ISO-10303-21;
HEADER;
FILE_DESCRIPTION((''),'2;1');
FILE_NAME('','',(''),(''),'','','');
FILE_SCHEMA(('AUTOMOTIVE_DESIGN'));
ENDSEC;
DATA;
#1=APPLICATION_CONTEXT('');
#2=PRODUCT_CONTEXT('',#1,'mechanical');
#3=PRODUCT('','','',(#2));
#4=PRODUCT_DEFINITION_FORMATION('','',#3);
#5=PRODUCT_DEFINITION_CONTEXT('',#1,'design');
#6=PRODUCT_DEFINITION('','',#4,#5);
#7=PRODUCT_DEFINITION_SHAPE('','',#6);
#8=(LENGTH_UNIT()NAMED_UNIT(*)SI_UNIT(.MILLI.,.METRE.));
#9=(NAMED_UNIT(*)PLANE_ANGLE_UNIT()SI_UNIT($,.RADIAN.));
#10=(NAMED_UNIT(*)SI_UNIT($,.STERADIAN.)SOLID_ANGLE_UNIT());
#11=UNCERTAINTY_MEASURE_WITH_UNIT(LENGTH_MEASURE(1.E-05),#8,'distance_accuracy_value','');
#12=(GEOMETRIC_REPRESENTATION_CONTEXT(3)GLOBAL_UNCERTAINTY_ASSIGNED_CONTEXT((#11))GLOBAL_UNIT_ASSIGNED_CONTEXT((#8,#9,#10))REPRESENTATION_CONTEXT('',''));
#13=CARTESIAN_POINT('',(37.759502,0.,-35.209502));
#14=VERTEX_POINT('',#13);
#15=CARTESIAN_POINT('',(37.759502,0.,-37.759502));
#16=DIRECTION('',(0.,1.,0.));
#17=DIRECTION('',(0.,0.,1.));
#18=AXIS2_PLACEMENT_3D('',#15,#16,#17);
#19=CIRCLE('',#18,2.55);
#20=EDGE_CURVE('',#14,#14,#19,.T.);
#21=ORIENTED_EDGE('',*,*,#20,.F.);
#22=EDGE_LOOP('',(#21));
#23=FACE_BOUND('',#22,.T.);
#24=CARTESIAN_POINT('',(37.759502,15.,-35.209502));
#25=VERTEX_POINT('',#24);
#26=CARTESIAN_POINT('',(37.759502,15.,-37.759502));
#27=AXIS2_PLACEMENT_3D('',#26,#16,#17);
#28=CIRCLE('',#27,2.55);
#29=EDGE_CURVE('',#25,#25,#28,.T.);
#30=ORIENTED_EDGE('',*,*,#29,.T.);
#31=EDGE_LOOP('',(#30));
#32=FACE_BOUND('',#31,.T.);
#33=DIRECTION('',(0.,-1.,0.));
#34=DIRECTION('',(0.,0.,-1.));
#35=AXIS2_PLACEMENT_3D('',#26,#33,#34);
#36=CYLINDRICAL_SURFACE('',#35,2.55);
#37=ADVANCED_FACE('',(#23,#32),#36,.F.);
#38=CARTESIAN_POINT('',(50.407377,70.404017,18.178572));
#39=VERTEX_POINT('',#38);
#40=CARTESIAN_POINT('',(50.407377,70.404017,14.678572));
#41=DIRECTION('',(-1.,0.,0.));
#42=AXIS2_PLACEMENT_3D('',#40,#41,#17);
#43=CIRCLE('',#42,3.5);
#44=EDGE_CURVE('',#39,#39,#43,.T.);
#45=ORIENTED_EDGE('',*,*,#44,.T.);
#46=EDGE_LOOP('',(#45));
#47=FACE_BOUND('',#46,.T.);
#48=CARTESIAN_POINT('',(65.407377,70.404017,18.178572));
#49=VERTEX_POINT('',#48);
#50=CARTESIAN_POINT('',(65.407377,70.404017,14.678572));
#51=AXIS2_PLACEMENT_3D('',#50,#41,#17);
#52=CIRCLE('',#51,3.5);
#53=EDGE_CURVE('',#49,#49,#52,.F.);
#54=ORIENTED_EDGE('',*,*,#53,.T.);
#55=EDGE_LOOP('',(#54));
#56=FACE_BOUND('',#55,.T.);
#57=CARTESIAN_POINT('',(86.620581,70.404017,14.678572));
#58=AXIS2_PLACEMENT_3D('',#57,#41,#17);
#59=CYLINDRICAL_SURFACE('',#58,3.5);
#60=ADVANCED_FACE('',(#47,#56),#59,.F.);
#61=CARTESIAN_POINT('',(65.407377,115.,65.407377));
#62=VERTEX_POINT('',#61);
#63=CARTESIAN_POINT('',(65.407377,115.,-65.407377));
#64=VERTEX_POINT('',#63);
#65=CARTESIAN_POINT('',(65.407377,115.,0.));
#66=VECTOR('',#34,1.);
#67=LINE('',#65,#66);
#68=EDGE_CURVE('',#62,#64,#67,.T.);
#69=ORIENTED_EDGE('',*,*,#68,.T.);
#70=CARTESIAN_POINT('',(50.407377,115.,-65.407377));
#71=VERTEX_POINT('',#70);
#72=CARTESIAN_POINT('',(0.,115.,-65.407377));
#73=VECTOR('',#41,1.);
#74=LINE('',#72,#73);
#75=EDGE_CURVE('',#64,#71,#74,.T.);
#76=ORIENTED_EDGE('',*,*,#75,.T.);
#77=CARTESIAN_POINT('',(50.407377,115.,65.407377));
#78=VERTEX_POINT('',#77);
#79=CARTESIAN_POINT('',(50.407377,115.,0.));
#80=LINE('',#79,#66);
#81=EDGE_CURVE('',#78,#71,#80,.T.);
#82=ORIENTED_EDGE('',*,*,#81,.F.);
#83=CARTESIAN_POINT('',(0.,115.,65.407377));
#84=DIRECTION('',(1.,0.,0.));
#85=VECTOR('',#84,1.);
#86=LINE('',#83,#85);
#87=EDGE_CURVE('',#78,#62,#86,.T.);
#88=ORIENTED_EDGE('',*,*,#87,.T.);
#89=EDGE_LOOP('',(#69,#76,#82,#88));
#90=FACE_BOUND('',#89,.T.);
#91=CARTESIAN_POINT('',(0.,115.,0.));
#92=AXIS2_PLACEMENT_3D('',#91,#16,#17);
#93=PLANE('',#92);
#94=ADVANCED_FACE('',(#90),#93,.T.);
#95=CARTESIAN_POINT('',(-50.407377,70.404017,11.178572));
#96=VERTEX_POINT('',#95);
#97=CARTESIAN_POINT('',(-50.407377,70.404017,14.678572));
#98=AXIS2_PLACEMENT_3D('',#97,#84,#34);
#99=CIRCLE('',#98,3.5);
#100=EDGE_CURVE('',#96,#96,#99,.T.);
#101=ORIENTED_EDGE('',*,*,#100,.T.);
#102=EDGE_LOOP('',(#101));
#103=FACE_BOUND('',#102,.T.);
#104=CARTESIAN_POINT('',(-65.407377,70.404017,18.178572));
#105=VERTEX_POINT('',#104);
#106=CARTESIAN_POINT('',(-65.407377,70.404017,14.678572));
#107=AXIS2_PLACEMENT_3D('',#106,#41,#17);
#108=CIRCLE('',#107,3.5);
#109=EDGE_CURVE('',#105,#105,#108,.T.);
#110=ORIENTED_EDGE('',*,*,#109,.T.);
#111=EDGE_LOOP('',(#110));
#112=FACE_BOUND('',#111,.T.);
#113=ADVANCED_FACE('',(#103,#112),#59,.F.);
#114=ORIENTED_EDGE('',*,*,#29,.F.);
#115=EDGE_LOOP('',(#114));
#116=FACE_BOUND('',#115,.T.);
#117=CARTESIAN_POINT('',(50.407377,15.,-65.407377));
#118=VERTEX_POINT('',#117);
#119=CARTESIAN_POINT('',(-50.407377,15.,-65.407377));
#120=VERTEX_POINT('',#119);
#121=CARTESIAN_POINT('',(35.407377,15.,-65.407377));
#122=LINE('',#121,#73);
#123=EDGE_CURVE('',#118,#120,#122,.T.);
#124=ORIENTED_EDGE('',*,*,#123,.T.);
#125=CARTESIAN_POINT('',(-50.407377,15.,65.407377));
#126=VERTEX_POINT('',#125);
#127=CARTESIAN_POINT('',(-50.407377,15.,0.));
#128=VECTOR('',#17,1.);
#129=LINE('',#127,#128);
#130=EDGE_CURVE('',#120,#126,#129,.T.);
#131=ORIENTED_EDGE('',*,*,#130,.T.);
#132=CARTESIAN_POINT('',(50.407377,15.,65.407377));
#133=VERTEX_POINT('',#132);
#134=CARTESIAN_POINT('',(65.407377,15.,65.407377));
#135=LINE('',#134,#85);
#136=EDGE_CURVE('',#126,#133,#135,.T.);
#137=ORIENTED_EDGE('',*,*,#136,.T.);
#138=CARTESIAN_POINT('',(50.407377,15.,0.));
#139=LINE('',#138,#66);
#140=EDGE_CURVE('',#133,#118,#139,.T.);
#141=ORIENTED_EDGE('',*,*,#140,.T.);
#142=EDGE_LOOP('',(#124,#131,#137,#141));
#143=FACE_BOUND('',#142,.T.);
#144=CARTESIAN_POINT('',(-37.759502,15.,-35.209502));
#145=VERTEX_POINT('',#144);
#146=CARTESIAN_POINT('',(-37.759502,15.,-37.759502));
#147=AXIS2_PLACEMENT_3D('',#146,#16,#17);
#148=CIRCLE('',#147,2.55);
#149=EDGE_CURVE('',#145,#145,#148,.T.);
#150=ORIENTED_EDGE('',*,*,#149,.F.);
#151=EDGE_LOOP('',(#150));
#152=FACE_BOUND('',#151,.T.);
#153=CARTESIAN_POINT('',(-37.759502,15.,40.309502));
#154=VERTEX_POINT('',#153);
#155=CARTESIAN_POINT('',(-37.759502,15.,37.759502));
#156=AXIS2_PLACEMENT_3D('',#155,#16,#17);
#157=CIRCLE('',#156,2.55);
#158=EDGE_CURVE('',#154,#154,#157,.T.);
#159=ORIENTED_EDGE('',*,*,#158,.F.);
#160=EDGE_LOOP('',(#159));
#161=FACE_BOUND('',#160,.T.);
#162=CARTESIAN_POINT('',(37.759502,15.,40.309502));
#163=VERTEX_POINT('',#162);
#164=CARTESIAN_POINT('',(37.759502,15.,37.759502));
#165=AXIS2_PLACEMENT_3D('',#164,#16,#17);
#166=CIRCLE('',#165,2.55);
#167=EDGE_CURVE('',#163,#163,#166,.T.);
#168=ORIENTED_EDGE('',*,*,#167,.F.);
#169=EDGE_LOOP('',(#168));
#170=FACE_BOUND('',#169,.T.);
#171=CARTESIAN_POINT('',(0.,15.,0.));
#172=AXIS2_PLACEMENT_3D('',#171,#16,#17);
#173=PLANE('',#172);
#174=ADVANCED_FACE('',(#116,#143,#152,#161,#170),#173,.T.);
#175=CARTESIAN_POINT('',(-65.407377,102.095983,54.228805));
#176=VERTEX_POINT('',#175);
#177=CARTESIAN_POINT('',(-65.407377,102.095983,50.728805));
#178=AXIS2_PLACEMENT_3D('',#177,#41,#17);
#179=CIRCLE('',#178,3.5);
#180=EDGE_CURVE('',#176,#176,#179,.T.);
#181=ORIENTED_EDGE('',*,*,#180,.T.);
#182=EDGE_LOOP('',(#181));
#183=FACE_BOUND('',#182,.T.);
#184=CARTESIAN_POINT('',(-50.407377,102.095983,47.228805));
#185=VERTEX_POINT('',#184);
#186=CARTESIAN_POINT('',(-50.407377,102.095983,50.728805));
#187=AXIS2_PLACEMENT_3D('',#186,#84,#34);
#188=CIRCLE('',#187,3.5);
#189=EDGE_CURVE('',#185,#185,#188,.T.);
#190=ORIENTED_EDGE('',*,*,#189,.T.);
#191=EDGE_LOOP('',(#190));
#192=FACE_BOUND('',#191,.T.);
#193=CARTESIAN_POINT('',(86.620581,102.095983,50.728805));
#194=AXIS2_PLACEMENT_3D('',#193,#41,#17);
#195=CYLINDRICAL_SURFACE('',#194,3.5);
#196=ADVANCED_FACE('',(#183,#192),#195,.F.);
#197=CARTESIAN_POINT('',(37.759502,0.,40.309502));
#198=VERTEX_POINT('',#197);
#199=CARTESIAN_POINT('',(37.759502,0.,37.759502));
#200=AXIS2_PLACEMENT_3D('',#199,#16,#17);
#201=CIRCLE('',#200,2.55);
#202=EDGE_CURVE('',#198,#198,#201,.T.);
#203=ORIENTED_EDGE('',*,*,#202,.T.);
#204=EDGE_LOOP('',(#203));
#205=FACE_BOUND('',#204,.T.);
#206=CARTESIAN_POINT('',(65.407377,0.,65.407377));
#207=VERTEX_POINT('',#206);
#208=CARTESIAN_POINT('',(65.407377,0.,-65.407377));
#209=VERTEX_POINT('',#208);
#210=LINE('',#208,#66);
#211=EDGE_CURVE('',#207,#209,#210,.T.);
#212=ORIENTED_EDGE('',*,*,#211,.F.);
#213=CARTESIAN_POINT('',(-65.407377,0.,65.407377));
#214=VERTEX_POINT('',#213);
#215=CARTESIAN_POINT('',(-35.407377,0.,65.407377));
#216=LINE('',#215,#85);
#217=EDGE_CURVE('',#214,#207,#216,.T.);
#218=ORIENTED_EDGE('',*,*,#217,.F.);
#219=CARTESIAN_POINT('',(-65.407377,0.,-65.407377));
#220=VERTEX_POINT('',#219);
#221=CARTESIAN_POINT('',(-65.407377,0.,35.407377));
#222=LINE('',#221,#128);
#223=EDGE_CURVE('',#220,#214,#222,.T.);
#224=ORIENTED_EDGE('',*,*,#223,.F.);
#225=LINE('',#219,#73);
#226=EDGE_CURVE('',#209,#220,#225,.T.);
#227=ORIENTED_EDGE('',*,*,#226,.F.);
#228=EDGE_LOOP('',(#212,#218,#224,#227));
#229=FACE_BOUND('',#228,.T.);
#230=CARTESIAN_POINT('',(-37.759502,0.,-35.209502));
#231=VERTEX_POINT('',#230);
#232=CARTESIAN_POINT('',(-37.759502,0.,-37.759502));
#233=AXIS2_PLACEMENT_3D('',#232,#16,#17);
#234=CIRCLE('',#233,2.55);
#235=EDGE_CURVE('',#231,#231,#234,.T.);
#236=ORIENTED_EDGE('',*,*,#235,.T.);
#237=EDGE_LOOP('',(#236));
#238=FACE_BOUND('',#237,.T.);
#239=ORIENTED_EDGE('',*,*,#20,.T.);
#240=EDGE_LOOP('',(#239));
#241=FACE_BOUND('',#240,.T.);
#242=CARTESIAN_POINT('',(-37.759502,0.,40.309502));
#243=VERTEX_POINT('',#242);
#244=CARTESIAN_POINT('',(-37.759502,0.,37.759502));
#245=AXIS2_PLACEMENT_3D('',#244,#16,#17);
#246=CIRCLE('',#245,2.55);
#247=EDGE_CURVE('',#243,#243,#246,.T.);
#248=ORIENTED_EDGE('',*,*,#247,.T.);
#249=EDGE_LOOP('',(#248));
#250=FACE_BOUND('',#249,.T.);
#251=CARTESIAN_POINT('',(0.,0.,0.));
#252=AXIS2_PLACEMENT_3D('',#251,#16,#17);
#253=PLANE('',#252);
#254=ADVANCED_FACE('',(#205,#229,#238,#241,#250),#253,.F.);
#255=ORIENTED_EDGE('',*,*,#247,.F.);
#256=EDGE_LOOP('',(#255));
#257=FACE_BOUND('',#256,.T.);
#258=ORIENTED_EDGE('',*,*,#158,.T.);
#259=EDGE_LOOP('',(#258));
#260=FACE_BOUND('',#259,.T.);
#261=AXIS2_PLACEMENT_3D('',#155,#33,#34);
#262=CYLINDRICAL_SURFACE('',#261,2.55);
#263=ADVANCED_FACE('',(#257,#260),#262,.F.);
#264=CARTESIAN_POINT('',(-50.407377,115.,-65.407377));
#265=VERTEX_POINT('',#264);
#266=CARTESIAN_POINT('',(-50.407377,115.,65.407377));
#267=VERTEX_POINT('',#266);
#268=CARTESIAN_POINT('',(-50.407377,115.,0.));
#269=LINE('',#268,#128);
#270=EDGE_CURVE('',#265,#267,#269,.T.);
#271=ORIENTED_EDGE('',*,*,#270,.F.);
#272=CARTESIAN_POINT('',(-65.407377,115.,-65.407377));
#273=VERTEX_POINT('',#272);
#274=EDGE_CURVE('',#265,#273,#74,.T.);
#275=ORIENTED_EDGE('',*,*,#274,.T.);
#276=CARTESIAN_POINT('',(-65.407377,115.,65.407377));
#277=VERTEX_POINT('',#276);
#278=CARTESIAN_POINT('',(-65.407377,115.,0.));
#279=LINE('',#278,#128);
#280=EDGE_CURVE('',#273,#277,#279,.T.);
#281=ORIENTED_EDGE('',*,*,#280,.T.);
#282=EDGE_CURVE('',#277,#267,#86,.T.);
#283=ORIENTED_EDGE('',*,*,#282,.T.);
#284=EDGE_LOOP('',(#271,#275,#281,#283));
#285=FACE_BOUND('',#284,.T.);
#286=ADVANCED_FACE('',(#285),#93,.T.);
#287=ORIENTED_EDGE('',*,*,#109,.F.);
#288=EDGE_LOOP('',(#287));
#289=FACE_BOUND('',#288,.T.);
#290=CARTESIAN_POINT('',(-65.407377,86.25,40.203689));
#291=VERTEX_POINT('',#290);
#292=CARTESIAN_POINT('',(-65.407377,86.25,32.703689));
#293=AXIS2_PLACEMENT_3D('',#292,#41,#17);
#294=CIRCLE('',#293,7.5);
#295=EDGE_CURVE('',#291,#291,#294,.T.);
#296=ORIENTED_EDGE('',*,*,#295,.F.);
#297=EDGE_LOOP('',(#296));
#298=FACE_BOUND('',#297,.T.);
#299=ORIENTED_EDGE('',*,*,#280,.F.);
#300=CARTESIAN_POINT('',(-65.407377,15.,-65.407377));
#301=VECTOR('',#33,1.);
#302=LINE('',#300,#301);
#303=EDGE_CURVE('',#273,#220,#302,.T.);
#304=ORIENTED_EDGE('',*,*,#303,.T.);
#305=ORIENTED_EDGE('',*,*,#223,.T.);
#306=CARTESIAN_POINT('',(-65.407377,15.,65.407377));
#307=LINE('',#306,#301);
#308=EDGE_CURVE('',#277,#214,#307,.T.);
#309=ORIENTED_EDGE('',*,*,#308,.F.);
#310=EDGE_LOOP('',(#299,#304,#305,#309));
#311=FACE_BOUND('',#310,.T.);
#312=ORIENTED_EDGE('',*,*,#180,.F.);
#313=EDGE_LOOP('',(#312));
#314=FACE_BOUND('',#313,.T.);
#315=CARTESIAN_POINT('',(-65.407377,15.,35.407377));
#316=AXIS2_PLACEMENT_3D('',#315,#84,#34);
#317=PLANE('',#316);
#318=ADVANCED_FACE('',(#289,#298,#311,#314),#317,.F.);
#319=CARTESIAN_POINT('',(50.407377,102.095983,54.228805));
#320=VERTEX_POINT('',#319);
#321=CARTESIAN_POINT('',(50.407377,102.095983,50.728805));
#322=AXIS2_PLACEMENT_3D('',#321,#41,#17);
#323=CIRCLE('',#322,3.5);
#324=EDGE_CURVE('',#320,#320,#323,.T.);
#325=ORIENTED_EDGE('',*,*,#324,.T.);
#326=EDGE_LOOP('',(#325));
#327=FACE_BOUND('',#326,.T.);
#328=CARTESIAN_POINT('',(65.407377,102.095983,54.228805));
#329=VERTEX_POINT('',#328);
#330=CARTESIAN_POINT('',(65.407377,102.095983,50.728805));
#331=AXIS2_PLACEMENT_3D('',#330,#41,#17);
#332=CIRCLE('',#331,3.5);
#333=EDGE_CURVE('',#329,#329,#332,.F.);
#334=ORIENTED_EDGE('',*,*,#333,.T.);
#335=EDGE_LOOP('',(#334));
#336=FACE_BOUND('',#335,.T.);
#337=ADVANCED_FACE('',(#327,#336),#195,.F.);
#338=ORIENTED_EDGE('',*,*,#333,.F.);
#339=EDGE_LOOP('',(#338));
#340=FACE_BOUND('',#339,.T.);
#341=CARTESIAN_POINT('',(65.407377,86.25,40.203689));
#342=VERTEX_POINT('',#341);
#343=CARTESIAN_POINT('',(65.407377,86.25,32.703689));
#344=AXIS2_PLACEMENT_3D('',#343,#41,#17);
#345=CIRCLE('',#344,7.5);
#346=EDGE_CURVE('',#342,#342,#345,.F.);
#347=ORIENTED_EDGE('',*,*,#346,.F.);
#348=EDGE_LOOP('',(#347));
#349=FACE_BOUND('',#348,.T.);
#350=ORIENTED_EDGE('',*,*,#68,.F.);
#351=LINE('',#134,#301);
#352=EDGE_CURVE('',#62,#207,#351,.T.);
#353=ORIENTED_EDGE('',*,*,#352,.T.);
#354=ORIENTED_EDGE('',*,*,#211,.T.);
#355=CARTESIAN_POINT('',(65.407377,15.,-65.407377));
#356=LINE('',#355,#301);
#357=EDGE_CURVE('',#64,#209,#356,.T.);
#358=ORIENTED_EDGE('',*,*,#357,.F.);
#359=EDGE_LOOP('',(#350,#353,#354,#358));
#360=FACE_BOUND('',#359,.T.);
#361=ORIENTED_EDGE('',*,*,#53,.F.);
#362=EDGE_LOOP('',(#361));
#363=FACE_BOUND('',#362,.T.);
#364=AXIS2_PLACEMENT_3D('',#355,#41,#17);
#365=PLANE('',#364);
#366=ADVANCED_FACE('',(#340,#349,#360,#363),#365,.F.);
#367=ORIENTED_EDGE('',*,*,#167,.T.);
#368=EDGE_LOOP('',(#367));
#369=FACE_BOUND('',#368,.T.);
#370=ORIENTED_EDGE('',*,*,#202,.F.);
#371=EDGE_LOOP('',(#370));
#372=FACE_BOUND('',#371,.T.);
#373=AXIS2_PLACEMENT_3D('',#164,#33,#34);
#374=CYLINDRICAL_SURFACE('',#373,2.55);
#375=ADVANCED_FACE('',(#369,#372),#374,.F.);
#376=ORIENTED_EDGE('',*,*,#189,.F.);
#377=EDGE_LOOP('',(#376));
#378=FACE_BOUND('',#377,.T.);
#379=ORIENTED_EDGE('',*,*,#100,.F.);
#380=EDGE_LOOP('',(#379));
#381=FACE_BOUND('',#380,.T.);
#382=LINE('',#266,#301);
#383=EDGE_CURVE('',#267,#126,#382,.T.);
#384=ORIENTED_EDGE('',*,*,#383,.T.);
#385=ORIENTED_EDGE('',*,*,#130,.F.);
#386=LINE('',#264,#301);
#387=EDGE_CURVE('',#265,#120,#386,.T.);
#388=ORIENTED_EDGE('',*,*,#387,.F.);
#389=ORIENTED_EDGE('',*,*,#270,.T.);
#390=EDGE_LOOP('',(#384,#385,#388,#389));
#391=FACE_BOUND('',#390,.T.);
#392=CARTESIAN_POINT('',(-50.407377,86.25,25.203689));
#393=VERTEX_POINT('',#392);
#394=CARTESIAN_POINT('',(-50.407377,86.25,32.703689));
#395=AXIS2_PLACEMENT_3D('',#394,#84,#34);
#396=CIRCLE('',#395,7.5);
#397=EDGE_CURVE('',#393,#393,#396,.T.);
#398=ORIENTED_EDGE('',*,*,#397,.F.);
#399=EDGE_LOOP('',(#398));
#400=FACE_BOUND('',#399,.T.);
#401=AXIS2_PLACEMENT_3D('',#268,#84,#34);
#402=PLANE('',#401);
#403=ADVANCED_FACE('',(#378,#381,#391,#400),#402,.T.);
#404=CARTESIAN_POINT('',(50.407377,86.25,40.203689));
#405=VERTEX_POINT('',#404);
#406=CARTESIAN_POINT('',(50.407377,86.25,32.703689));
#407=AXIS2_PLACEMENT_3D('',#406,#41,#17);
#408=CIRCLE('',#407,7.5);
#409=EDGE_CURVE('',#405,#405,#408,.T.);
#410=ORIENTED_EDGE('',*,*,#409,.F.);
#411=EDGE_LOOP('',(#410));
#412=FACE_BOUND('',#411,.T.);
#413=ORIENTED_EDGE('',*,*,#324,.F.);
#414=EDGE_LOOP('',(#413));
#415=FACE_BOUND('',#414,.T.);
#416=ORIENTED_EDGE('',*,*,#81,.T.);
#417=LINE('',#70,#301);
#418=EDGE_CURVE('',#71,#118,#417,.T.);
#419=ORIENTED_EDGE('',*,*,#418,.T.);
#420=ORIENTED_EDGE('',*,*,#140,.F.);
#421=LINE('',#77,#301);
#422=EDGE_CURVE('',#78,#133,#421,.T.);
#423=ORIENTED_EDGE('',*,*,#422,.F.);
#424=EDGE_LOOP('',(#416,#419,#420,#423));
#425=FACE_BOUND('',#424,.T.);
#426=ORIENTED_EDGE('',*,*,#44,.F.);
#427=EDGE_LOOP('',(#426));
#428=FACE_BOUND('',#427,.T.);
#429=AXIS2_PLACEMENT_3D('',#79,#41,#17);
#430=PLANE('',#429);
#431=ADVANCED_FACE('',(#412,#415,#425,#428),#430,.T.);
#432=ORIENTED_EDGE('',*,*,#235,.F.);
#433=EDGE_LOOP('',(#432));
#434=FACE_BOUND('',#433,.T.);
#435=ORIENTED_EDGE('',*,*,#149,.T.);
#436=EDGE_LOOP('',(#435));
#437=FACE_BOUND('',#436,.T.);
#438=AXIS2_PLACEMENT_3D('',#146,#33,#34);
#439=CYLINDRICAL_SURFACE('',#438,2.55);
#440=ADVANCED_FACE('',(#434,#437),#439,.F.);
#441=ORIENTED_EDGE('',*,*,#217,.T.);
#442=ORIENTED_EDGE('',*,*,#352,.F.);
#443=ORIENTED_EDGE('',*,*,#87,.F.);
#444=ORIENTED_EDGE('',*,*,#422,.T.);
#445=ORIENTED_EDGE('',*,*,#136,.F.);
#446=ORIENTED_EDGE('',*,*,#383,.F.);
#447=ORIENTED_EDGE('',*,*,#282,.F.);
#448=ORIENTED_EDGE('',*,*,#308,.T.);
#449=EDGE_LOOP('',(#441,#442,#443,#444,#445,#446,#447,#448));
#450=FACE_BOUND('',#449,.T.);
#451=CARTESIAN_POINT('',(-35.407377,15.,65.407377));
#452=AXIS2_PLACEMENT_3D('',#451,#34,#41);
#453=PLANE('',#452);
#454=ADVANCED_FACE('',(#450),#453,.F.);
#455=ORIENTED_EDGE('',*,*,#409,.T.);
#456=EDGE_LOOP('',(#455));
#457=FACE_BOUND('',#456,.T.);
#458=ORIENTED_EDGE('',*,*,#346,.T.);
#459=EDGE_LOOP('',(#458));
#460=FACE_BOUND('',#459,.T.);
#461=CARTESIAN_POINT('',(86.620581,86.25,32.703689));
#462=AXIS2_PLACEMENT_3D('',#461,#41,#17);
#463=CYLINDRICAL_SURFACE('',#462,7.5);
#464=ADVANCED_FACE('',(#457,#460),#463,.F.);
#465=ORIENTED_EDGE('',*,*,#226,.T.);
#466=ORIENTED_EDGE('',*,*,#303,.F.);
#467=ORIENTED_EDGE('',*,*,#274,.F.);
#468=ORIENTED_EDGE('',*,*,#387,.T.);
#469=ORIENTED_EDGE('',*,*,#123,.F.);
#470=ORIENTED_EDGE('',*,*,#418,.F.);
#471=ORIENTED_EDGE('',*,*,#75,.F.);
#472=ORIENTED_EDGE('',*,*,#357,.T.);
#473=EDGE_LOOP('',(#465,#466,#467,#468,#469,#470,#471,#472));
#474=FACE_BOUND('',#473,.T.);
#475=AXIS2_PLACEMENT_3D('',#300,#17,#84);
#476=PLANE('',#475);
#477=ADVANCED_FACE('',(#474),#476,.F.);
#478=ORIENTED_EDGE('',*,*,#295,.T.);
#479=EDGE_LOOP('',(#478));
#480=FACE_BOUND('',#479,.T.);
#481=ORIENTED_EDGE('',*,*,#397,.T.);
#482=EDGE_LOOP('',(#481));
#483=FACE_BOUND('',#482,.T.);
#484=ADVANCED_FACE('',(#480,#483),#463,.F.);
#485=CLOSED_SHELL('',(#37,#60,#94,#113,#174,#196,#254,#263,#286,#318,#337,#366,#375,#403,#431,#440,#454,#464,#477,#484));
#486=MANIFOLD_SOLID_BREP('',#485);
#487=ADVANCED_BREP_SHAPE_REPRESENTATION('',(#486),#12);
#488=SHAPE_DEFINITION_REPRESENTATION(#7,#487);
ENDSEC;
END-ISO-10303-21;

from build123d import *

# Parameters (mm, degrees)
SKETCH1_R           = 2.55
BOSS_EXTRUDE1_DEPTH = 15
BOSS_EXTRUDE2_DEPTH = 100
CUT_EXTRUDE1_REACH  = 188.053
SKETCH3_R           = 7.5
SKETCH3_R_2         = 3.5


with BuildPart() as part:
    # Sketch1 → Boss-Extrude1 (new body)
    with BuildSketch(Plane(origin=(0, 0, 0), x_dir=(1, 0, 0), z_dir=(0, 1, 0))):
        Polygon((-65.40737726, 35.40737726), (-65.40737726, 65.40737726), (-35.40737726, 65.40737726), (35.40737726, 65.40737726), (65.40737726, 65.40737726), (65.40737726, 35.40737726), (65.40737726, -35.40737726), (65.40737726, -65.40737726), (35.40737726, -65.40737726), (-35.40737726, -65.40737726), (-65.40737726, -65.40737726), (-65.40737726, -35.40737726), align=None)
        with Locations(Location((37.759502115, 37.759502115, 0), (0, 0, 270))):
            Circle(SKETCH1_R, mode=Mode.SUBTRACT)
        with Locations(Location((37.759502115, -37.759502115, 0), (0, 0, 270))):
            Circle(SKETCH1_R, mode=Mode.SUBTRACT)
        with Locations(Location((-37.759502115, -37.759502115, 0), (0, 0, 270))):
            Circle(SKETCH1_R, mode=Mode.SUBTRACT)
        with Locations(Location((-37.759502115, 37.759502115, 0), (0, 0, 270))):
            Circle(SKETCH1_R, mode=Mode.SUBTRACT)
    extrude(amount=BOSS_EXTRUDE1_DEPTH)

    # Sketch2 → Boss-Extrude2 (add)
    with BuildSketch(Plane(origin=(0, 15, 0), x_dir=(1, 0, 0), z_dir=(0, 1, 0))):
        Polygon((50.40737726, -50.40737726), (50.40737726, -65.40737726), (65.40737726, -65.40737726), (65.40737726, 65.40737726), (50.40737726, 65.40737726), (50.40737726, 50.40737726), align=None)
        Polygon((-65.40737726, 65.40737726), (-65.40737726, -65.40737726), (-50.40737726, -65.40737726), (-50.40737726, -50.40737726), (-50.40737726, 50.40737726), (-50.40737726, 65.40737726), align=None)
    extrude(amount=BOSS_EXTRUDE2_DEPTH)

    # Cut-Extrude1: up to this face of the body (flat: up to its plane)
    cut_extrude1_end = Plane(part.part.faces().sort_by_distance((65.40737726, 57.5, 0))[0])
    # Sketch3 → Cut-Extrude1 (cut, up to the picked face)
    with BuildSketch(Plane.ZY.offset(65.40737726), mode=Mode.PRIVATE) as cut_extrude1_sk1:
        with Locations((32.70368863, 86.25)):
            Circle(SKETCH3_R)
    cut_extrude1_tool1 = split(extrude(cut_extrude1_sk1.sketch, amount=-CUT_EXTRUDE1_REACH, mode=Mode.PRIVATE), bisect_by=cut_extrude1_end, keep=Keep.BOTH, mode=Mode.PRIVATE)
    # Sketch3 → Cut-Extrude1 (cut, up to the picked face)
    with BuildSketch(Plane.ZY.offset(65.40737726), mode=Mode.PRIVATE) as cut_extrude1_sk2:
        with Locations((14.678572243, 70.404016937)):
            Circle(SKETCH3_R_2)
    cut_extrude1_tool2 = split(extrude(cut_extrude1_sk2.sketch, amount=-CUT_EXTRUDE1_REACH, mode=Mode.PRIVATE), bisect_by=cut_extrude1_end, keep=Keep.BOTH, mode=Mode.PRIVATE)
    # Sketch3 → Cut-Extrude1 (cut, up to the picked face)
    with BuildSketch(Plane.ZY.offset(65.40737726), mode=Mode.PRIVATE) as cut_extrude1_sk3:
        with Locations((50.728805017, 102.095983063)):
            Circle(SKETCH3_R_2)
    cut_extrude1_tool3 = split(extrude(cut_extrude1_sk3.sketch, amount=-CUT_EXTRUDE1_REACH, mode=Mode.PRIVATE), bisect_by=cut_extrude1_end, keep=Keep.BOTH, mode=Mode.PRIVATE)
    add(cut_extrude1_tool1.solids().sort_by(Axis((-65.407377, 86.25, 32.703689), (1, 0, 0)))[0], mode=Mode.SUBTRACT)
    add(cut_extrude1_tool2.solids().sort_by(Axis((-65.407377, 70.404017, 14.678572), (1, 0, 0)))[0], mode=Mode.SUBTRACT)
    add(cut_extrude1_tool3.solids().sort_by(Axis((-65.407377, 102.095983, 50.728805), (1, 0, 0)))[0], mode=Mode.SUBTRACT)


solid = part.part
